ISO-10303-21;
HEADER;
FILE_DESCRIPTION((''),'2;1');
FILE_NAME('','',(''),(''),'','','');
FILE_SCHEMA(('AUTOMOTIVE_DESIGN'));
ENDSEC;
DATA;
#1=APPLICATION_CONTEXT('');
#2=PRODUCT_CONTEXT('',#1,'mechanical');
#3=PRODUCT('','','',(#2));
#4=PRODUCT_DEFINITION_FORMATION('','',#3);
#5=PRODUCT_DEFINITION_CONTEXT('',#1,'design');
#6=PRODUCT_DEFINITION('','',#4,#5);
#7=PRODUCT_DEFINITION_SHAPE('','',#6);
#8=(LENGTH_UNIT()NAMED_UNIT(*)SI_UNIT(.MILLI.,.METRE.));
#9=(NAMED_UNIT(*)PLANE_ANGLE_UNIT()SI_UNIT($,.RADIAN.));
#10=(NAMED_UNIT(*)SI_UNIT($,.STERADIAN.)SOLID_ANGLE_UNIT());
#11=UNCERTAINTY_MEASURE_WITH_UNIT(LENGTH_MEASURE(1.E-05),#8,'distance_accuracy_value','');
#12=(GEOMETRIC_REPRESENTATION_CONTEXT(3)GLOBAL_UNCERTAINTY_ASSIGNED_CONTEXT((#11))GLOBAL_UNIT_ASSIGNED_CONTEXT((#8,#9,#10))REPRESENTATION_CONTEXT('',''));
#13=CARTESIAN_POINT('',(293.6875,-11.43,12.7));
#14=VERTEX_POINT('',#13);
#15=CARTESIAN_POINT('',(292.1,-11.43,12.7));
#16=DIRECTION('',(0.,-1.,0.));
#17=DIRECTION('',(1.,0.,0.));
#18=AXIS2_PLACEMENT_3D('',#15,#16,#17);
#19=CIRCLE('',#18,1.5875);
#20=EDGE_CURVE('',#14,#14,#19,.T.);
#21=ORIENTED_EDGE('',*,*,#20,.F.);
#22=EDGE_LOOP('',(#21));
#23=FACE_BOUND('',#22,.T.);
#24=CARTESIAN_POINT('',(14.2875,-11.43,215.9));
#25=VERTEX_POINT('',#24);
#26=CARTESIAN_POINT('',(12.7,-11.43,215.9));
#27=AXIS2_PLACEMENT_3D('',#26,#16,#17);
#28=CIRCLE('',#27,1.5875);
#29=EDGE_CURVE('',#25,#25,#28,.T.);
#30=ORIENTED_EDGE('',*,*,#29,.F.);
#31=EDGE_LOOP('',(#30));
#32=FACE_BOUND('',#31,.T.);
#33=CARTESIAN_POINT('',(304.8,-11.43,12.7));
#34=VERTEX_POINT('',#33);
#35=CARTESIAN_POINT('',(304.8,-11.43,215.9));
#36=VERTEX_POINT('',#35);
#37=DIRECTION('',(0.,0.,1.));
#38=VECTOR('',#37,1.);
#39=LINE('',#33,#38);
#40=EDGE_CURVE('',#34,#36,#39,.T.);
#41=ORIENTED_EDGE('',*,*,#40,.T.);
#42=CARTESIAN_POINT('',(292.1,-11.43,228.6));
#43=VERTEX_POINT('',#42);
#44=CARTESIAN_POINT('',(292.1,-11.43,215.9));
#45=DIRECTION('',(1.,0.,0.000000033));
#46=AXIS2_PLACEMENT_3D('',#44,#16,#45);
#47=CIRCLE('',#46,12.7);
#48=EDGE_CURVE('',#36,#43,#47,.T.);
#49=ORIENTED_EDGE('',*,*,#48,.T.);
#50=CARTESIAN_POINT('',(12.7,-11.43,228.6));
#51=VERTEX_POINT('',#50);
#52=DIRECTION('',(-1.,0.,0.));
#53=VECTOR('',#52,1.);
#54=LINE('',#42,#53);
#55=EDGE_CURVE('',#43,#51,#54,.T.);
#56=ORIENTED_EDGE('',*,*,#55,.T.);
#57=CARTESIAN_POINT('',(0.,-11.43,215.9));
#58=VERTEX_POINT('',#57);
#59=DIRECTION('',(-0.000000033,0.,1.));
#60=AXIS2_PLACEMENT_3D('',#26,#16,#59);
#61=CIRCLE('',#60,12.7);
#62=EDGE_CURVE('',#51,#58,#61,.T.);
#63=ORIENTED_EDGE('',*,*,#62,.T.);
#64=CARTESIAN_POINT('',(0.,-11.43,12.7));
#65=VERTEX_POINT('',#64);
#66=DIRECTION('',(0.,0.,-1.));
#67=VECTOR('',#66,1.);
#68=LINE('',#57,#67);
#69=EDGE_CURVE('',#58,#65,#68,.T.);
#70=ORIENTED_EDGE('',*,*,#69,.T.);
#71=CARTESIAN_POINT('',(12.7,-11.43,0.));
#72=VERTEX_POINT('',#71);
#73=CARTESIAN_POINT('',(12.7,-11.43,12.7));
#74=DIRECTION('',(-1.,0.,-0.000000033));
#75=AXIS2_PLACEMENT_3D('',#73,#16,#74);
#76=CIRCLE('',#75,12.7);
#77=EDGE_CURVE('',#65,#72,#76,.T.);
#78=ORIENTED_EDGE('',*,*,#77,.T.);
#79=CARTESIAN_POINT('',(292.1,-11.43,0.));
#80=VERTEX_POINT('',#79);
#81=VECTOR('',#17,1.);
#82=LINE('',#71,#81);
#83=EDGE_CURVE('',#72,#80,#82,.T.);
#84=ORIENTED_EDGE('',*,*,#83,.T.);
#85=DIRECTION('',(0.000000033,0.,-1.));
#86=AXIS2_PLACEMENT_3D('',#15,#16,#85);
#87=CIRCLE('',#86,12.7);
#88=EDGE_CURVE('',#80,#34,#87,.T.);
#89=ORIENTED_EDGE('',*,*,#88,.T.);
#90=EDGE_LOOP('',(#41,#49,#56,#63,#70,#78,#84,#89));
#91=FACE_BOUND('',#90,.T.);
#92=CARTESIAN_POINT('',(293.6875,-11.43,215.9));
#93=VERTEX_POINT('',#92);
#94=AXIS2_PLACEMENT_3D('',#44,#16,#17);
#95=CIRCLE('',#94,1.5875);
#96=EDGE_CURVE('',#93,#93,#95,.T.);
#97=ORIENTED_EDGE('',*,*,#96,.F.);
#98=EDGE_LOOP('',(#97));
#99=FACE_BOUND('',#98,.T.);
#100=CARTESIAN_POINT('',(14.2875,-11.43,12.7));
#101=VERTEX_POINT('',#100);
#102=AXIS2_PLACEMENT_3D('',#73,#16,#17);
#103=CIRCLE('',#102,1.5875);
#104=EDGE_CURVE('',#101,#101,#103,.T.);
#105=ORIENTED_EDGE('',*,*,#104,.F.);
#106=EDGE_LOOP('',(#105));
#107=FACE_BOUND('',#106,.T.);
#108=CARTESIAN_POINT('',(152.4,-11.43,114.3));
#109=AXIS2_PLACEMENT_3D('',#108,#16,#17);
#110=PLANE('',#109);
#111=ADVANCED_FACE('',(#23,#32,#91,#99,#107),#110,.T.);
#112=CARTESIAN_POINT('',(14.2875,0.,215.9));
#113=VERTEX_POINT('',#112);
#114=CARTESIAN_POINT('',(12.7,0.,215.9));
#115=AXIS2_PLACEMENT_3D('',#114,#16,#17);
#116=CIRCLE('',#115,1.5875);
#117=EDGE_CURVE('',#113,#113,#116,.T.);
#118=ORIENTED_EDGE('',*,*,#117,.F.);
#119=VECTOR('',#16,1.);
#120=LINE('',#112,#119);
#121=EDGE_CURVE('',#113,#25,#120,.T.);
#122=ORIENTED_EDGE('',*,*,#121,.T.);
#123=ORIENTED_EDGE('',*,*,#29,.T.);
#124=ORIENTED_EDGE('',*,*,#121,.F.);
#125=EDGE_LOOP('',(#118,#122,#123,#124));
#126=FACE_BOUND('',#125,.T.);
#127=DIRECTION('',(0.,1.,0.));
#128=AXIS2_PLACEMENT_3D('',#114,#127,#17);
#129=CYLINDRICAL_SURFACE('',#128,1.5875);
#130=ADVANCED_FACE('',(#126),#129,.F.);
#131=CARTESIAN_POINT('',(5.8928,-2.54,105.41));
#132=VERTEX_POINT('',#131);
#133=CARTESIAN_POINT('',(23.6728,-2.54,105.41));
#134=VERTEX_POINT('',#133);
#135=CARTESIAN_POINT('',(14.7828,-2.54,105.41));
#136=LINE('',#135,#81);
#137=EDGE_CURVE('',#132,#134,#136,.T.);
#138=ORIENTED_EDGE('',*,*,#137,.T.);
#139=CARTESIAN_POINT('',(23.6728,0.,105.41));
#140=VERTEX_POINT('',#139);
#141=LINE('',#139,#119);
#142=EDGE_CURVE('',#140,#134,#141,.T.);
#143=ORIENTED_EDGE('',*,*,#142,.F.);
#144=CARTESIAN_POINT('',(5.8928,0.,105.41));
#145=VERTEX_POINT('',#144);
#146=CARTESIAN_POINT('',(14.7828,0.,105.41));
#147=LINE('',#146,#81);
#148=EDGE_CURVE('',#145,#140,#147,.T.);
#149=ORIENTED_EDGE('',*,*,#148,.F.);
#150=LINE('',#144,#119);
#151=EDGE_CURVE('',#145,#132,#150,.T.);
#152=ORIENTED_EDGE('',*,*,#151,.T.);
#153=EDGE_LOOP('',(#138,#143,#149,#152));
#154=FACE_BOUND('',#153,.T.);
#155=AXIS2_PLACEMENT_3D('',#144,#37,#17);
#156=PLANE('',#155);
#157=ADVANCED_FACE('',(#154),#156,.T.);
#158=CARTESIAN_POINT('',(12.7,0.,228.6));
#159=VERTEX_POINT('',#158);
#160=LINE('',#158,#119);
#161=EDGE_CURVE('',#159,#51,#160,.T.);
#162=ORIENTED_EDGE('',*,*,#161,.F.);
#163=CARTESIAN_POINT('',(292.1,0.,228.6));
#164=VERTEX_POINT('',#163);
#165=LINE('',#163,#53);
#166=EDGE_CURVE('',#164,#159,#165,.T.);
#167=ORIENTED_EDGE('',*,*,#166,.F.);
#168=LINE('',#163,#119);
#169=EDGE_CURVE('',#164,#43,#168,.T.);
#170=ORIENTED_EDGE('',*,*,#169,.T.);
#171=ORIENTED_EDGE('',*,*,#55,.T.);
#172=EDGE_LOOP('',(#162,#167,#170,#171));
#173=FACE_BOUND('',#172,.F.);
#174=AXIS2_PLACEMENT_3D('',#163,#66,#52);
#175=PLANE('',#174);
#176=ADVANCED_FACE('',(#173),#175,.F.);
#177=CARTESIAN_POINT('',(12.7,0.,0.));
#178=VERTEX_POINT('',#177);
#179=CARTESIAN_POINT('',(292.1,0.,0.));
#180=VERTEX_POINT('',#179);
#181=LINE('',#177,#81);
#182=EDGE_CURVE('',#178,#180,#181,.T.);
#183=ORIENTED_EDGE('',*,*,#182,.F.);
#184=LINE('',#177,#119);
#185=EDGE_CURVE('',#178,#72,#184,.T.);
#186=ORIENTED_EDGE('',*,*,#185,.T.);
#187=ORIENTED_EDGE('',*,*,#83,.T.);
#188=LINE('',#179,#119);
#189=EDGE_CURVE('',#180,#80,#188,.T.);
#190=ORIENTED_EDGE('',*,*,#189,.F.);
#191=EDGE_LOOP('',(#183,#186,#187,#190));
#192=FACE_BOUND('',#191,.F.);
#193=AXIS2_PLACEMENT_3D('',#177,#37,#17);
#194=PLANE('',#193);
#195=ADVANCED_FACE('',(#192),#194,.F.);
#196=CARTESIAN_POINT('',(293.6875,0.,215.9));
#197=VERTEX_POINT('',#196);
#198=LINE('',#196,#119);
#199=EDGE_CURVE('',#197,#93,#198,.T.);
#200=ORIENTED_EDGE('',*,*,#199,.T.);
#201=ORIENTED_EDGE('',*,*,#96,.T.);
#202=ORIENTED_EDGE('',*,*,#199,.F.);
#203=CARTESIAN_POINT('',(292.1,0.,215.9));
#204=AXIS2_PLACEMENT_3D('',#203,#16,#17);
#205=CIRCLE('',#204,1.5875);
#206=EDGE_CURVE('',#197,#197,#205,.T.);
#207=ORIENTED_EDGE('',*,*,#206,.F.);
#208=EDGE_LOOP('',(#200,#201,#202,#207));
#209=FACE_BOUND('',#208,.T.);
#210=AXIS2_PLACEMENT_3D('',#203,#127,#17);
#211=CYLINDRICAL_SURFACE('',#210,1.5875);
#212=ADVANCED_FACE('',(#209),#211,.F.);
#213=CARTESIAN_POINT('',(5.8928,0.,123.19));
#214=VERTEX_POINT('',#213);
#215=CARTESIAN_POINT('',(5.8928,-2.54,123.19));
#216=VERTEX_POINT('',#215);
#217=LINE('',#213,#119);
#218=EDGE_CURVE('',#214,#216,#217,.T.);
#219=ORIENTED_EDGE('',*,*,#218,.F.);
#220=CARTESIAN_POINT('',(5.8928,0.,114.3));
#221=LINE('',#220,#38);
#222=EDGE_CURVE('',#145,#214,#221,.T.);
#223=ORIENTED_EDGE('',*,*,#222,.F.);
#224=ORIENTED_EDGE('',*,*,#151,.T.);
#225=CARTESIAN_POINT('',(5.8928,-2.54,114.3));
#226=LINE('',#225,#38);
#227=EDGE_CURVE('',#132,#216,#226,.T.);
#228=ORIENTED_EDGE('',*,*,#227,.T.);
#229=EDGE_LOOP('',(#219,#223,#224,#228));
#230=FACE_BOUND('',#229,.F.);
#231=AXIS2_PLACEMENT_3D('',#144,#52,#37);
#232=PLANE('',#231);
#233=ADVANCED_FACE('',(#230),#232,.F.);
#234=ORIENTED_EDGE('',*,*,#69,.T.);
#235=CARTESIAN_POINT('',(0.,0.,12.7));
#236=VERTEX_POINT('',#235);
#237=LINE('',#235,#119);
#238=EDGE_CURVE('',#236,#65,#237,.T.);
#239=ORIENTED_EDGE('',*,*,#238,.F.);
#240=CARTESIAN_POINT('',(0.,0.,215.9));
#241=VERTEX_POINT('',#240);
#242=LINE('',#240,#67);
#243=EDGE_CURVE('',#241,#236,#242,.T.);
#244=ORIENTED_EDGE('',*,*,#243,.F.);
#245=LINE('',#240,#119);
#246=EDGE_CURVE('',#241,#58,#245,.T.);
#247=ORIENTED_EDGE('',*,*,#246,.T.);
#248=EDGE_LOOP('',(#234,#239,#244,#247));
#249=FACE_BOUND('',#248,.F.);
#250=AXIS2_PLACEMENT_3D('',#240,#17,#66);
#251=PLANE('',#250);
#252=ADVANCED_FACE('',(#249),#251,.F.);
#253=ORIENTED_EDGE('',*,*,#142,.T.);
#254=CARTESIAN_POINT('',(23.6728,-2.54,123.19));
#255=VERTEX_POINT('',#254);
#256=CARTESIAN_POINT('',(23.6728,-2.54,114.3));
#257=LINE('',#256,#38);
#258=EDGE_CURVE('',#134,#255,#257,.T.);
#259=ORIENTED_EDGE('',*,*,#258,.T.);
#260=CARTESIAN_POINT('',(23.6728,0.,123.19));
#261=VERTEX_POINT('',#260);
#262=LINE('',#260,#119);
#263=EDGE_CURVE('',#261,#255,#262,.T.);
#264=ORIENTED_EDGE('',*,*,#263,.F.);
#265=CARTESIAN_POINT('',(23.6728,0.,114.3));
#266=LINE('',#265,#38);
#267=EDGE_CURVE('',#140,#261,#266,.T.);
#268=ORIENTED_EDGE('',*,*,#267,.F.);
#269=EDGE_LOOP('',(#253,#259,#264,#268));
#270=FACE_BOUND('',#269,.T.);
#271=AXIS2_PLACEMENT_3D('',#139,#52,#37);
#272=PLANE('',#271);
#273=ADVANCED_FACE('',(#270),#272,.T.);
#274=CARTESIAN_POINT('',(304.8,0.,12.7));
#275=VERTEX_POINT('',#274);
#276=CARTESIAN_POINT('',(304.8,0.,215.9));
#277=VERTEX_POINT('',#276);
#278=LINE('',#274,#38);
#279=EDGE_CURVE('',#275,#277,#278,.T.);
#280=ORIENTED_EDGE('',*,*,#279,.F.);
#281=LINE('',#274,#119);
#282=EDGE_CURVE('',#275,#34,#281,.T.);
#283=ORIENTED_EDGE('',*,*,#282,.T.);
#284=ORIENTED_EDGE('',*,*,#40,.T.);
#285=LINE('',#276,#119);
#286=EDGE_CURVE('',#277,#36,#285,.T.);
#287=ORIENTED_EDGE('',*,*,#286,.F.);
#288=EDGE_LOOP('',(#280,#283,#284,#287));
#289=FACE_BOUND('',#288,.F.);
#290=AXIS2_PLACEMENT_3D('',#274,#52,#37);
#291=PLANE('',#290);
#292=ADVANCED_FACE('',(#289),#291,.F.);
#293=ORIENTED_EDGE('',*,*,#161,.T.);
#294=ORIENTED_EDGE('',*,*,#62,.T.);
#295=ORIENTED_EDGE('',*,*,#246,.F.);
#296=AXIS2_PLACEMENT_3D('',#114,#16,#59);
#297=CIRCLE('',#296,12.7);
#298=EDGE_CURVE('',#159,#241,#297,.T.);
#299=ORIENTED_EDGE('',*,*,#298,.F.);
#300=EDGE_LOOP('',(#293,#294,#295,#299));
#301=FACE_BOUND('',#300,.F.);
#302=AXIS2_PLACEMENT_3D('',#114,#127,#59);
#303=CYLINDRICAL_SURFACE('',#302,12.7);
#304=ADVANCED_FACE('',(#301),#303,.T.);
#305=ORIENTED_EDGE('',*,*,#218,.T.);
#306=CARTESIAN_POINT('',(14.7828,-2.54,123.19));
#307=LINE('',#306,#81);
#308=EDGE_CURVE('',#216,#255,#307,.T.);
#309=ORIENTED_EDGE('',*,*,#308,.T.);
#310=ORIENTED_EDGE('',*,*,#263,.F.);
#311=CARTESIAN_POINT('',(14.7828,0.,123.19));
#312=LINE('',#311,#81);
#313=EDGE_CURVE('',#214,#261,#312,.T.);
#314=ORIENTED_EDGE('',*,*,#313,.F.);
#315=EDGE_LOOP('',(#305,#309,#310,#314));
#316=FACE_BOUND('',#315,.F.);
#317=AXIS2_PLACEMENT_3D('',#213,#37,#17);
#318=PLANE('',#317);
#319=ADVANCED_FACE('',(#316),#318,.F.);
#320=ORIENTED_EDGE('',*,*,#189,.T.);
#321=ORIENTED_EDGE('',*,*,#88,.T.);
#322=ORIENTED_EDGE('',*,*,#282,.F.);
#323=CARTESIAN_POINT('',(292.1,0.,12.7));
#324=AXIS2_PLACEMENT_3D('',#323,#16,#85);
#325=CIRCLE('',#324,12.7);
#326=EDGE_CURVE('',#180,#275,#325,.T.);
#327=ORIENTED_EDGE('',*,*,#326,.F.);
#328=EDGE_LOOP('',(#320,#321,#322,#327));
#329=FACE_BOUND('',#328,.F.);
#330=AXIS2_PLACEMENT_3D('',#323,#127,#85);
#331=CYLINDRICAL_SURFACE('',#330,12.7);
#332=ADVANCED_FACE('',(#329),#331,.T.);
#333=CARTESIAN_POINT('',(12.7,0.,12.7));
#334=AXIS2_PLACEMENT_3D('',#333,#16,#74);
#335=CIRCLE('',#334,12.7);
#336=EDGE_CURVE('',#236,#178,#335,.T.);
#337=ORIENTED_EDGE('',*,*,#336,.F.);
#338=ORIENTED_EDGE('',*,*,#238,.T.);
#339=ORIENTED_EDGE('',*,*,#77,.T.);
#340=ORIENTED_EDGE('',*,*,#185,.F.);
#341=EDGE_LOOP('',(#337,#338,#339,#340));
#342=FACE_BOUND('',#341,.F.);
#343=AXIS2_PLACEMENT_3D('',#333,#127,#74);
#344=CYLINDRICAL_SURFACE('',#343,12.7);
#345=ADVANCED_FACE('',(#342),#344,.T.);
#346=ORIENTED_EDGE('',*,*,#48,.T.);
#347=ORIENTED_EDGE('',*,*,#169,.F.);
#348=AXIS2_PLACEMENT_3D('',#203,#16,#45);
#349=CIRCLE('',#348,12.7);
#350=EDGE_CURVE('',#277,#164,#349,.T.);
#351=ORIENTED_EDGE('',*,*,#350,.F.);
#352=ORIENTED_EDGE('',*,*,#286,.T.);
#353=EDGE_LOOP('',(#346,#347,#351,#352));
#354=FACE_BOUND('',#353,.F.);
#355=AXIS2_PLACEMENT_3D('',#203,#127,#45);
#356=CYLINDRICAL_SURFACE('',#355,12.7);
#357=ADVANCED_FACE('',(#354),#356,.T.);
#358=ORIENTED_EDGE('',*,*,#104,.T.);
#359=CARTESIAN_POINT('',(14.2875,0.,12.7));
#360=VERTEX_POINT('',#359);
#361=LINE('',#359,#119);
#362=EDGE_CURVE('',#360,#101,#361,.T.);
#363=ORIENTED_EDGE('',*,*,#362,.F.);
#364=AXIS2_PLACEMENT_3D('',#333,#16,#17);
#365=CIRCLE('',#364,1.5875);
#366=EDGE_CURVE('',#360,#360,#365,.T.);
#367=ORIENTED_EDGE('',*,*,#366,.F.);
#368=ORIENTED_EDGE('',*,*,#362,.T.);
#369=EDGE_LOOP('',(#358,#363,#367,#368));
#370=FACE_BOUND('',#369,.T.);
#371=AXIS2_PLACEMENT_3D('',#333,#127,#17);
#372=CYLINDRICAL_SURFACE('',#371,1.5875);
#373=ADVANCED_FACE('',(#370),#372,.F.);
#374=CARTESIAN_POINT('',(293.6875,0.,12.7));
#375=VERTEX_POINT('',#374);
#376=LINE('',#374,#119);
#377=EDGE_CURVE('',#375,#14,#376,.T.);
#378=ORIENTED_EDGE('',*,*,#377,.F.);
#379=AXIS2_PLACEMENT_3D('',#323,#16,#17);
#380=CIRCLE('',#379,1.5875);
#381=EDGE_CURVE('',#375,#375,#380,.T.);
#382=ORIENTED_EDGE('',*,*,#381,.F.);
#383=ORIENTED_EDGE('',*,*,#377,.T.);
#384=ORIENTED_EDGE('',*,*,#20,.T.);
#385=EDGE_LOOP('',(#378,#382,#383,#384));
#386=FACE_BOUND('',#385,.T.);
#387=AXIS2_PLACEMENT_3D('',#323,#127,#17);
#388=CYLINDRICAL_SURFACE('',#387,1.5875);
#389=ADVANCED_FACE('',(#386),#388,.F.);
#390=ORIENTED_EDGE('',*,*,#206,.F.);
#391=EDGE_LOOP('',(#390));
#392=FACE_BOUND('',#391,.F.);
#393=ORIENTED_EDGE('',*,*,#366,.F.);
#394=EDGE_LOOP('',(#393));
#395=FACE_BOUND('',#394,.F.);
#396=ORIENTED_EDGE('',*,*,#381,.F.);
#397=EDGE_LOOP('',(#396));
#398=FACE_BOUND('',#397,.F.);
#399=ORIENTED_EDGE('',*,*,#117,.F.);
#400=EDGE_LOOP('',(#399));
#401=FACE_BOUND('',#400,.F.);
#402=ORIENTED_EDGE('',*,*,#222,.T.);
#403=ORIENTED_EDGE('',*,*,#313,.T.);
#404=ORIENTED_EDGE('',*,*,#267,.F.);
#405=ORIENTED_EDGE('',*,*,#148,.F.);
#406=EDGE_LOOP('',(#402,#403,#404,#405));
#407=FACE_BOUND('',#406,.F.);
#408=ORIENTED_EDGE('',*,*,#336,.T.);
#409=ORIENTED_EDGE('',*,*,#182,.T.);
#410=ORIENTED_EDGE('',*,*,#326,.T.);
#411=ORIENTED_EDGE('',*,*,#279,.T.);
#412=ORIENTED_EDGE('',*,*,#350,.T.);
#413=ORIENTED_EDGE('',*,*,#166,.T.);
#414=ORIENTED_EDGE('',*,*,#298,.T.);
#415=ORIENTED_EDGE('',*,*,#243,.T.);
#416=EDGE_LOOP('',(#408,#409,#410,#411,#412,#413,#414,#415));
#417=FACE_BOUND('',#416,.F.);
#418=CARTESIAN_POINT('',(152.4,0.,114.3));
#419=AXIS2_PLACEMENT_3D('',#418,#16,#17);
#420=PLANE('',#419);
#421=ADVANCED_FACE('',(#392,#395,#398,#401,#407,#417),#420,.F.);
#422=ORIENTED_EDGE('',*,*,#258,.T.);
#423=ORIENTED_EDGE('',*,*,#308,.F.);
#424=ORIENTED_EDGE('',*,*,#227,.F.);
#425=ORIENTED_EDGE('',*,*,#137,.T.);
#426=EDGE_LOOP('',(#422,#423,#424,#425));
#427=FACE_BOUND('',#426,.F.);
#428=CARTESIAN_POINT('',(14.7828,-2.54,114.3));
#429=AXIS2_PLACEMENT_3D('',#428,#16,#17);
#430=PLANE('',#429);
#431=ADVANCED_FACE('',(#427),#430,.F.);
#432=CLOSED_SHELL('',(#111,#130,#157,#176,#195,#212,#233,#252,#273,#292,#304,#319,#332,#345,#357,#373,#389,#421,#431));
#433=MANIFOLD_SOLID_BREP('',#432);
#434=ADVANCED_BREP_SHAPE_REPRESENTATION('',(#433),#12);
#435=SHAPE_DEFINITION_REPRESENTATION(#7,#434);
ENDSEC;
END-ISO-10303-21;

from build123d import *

# Parameters (mm, degrees)
F0_R     = 1.5875
F2_DEPTH = 11.43
F1_W     = 17.78
F1_H     = 17.78
F3_DEPTH = 2.54


with BuildPart() as f2:
    # F0 (on Front) → F2 (new body)
    with BuildSketch(Plane.XZ):
        with BuildLine():
            Line((292.1, 228.6), (12.7, 228.6))
            ThreePointArc((12.7, 228.6), (3.719744, 224.880256), (0, 215.9))
            Line((0, 215.9), (0, 12.7))
            ThreePointArc((0, 12.7), (3.719744, 3.719744), (12.7, 0))
            Line((12.7, 0), (292.1, 0))
            ThreePointArc((292.1, 0), (301.080256, 3.719744), (304.8, 12.7))
            Line((304.8, 12.7), (304.8, 215.9))
            ThreePointArc((304.8, 215.9), (301.080256, 224.880256), (292.1, 228.6))
        make_face()
        with Locations((12.7, 12.7)):
            Circle(F0_R, mode=Mode.SUBTRACT)
        with Locations((292.1, 12.7)):
            Circle(F0_R, mode=Mode.SUBTRACT)
        with Locations((12.7, 215.9)):
            Circle(F0_R, mode=Mode.SUBTRACT)
        with Locations((292.1, 215.9)):
            Circle(F0_R, mode=Mode.SUBTRACT)
    extrude(amount=F2_DEPTH)

    # F1 (on face) → F3 (cut)
    with BuildSketch(Plane.XZ):
        with Locations((14.7828, 114.3)):
            Rectangle(F1_W, F1_H)
    extrude(amount=F3_DEPTH, mode=Mode.SUBTRACT)


solid = f2.part
